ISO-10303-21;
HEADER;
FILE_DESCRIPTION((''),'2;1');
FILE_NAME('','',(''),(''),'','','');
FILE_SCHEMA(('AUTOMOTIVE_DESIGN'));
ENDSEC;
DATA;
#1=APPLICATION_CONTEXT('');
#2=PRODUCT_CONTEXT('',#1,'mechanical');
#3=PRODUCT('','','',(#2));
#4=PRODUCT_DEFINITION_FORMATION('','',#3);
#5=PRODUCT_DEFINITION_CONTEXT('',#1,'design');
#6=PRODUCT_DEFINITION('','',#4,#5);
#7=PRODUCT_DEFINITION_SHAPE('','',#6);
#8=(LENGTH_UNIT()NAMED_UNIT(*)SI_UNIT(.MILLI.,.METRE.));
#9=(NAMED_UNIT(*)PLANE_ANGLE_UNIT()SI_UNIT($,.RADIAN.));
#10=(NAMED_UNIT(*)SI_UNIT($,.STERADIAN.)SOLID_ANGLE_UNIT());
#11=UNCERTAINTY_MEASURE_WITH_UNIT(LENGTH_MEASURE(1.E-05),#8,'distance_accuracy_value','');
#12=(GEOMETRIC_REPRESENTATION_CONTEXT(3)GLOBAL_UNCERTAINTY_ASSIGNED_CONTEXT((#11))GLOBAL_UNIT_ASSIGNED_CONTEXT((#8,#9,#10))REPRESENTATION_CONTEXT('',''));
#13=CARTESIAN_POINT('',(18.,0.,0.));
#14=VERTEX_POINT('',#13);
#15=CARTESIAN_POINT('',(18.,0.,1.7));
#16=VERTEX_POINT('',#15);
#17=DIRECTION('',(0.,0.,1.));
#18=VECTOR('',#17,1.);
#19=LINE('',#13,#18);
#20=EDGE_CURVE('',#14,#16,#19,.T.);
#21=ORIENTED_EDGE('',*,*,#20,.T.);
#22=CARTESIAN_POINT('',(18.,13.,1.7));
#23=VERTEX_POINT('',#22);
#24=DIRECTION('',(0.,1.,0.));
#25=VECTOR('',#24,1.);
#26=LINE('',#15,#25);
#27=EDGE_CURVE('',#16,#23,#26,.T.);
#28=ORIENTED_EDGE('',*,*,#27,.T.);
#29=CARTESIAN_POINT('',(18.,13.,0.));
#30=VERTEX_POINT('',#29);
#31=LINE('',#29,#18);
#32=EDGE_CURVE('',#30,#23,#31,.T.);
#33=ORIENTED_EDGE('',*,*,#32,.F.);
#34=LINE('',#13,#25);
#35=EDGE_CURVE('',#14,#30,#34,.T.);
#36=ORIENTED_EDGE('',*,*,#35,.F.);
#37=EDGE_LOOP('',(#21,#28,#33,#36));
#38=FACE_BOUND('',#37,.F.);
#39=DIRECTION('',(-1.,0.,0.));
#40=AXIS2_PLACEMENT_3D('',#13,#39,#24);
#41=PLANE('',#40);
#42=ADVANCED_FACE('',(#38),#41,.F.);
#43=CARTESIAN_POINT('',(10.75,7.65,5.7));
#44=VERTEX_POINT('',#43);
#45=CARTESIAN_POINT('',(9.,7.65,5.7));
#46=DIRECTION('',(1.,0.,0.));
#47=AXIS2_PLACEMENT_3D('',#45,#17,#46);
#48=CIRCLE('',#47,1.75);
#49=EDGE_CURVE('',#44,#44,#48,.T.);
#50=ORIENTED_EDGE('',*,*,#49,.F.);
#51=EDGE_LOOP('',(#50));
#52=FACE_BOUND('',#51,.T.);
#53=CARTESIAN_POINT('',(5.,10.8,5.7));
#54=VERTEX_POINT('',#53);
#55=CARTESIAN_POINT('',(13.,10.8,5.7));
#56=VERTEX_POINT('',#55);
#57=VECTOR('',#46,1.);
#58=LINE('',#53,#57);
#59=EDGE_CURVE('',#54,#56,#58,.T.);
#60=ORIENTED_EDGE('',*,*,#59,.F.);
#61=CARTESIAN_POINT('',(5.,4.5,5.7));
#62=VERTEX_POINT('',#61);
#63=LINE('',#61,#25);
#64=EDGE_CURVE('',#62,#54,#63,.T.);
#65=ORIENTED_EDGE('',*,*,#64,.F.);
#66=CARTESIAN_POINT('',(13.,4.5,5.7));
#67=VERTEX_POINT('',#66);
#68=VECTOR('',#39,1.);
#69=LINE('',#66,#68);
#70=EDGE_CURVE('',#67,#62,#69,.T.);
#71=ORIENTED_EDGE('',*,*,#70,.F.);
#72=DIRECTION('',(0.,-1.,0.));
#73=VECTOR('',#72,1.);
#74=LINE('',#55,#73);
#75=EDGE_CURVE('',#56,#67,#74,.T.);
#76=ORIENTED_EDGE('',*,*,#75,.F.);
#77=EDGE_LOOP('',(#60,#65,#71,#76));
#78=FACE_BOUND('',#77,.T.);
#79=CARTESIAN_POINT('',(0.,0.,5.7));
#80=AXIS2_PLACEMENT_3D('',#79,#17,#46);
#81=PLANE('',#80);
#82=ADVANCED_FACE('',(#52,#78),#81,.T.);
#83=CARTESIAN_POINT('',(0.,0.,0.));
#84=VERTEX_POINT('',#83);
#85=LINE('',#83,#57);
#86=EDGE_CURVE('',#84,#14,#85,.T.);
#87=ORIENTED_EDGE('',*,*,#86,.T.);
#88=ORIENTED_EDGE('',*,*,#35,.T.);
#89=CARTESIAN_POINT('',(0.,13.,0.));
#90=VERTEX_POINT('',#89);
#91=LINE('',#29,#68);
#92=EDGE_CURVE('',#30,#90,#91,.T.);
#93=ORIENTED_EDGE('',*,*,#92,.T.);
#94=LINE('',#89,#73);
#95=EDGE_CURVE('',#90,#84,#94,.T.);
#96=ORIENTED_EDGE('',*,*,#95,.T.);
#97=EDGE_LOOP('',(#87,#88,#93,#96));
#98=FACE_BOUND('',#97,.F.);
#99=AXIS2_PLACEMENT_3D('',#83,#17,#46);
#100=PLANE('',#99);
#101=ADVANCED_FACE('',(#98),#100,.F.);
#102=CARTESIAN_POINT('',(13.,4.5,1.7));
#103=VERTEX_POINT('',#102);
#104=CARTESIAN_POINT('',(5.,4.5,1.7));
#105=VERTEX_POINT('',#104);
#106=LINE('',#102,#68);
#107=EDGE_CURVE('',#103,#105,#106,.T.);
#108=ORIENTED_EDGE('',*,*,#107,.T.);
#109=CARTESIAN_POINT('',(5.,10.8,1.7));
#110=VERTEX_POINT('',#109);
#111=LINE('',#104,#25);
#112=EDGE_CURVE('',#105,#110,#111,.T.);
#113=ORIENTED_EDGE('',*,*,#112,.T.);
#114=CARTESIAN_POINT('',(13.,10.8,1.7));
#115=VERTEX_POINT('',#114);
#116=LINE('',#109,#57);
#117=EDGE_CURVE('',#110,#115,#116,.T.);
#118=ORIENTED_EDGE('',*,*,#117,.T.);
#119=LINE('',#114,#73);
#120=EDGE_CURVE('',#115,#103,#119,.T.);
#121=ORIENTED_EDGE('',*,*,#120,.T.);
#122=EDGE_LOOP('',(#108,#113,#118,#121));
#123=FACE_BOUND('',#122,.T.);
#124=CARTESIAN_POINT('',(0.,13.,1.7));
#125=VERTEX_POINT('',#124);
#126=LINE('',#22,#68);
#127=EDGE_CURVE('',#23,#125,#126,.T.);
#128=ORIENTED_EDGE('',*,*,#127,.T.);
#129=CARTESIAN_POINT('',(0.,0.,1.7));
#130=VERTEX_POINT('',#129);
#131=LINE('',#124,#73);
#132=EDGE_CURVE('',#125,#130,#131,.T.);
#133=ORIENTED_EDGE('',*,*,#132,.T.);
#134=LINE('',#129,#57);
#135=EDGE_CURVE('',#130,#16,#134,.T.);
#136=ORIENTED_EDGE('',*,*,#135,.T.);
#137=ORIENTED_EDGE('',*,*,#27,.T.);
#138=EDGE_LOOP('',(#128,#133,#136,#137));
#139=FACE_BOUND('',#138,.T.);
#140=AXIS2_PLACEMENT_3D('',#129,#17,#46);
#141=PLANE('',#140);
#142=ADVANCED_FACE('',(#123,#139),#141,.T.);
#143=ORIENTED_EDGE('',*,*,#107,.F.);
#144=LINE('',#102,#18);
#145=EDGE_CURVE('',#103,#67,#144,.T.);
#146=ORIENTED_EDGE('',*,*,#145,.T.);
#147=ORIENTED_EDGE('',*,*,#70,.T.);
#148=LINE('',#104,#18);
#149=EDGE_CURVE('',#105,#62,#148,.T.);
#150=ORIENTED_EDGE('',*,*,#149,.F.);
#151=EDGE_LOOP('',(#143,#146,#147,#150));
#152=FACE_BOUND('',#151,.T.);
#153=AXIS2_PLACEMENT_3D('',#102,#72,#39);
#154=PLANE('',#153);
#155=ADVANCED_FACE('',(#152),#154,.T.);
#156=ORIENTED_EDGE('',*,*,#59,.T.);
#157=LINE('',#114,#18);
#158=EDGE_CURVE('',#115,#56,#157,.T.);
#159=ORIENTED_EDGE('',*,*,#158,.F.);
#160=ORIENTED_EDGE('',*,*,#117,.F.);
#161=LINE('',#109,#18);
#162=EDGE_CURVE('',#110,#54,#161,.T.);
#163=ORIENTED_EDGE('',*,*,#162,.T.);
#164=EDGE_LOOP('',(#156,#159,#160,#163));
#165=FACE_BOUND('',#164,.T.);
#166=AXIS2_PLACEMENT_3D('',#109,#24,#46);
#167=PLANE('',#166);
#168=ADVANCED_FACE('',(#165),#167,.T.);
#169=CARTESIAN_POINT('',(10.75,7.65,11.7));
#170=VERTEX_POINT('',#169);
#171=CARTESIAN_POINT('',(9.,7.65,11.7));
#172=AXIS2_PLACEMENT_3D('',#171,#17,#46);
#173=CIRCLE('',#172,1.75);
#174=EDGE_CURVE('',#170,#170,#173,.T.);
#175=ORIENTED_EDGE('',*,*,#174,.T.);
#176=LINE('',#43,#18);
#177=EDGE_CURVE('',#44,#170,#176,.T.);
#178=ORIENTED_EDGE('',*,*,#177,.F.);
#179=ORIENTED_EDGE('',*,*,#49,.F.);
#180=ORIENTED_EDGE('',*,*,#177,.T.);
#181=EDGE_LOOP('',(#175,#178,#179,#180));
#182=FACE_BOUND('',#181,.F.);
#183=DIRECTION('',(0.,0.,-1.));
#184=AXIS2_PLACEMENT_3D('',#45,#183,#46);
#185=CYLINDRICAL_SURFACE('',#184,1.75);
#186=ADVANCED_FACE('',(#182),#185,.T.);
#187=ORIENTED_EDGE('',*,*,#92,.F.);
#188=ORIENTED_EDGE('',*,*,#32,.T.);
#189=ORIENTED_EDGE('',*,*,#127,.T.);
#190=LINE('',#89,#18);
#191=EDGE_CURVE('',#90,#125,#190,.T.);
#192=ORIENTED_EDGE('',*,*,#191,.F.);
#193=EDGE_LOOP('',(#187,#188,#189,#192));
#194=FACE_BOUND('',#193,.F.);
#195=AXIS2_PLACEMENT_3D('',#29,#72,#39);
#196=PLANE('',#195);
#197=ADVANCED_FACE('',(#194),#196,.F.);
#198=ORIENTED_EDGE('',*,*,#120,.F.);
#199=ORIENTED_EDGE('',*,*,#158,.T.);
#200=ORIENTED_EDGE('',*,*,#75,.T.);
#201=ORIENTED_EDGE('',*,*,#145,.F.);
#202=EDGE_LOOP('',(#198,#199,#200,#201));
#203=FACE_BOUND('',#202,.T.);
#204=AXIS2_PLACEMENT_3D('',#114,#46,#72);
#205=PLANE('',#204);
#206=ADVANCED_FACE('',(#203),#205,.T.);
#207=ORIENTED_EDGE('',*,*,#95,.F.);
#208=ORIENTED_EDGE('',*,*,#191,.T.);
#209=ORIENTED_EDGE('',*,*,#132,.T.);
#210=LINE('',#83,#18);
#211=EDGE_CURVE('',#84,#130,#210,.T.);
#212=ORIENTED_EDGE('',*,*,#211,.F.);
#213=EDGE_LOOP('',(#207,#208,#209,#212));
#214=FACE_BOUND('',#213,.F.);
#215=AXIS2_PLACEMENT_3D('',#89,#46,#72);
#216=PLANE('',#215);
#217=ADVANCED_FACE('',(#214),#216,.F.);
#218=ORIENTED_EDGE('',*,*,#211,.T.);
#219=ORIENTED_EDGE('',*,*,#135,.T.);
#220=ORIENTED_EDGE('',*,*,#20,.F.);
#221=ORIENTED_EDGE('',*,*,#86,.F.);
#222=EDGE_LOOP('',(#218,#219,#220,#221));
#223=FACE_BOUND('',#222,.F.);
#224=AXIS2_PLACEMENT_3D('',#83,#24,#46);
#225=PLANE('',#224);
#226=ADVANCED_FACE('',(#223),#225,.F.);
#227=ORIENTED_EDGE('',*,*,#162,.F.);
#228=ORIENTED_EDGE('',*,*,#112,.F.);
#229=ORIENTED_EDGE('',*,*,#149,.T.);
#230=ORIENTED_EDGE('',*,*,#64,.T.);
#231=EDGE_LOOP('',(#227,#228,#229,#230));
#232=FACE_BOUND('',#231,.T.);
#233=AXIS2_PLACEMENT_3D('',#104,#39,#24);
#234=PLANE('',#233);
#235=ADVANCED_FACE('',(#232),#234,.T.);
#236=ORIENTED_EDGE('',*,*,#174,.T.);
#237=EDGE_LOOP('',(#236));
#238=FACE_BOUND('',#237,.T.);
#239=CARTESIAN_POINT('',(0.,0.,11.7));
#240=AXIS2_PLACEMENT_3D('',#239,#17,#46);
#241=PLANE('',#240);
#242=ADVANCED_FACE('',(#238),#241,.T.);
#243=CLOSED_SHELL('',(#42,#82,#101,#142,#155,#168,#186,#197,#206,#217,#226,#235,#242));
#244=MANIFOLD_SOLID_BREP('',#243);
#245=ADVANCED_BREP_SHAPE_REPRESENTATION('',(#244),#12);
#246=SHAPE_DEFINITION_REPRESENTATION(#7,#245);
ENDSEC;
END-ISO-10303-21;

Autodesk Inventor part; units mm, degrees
ref_plane "YZ Plane" through (0, 0, 0) normal (1, 0, 0) x (0, 1, 0)
ref_plane "XZ Plane" through (0, 0, 0) normal (0, 1, 0) x (-1, 0, 0)
ref_plane "XY Plane" through (0, 0, 0) normal (0, 0, 1) x (1, 0, 0)
sketch "Sketch1" plane through (0, 0, 0) normal (0, 0, 1) x (1, 0, 0)
  line L0 (0, 0) -> (18, 0)
  line L1 (18, 0) -> (18, 13)
  line L2 (18, 13) -> (0, 13)
  line L3 (0, 13) -> (0, 0)
  dimension "d0" = 18
  dimension "d1" = 13
extrude "Extrusion1" add sketch "Sketch1" along normal blind 1.7
sketch "Sketch2" plane through (0, 0, 1.7) normal (0, 0, 1) x (1, 0, 0)
  line L0 (5, 10.8) -> (13, 10.8)
  line L1 (13, 10.8) -> (13, 4.5)
  line L2 (13, 4.5) -> (5, 4.5)
  line L3 (5, 4.5) -> (5, 10.8)
  line L4 (0, 13) -> (0, 0) projected
  line L5 (18, 13) -> (0, 13) projected
  dimension "d4" = 8
  dimension "d5" = 6.3
  dimension "d6" = 5
  dimension "d7" = 2.2
extrude "Extrusion2" add sketch "Sketch2" along normal blind 4
sketch "Sketch3" plane through (0, 0, 5.7) normal (0, 0, 1) x (1, 0, 0)
  circle A0 centre (9, 7.65) radius 1.75
  line L0 (5, 10.8) -> (5, 4.5) projected
  line L1 (13, 10.8) -> (5, 10.8) projected
  point P0 (0, 0)
  dimension "d10" = 3.5
  dimension "d11" = 4
  dimension "d12" = 3.15
extrude "Extrusion3" add sketch "Sketch3" along normal blind 6
properties part number "Switch"
